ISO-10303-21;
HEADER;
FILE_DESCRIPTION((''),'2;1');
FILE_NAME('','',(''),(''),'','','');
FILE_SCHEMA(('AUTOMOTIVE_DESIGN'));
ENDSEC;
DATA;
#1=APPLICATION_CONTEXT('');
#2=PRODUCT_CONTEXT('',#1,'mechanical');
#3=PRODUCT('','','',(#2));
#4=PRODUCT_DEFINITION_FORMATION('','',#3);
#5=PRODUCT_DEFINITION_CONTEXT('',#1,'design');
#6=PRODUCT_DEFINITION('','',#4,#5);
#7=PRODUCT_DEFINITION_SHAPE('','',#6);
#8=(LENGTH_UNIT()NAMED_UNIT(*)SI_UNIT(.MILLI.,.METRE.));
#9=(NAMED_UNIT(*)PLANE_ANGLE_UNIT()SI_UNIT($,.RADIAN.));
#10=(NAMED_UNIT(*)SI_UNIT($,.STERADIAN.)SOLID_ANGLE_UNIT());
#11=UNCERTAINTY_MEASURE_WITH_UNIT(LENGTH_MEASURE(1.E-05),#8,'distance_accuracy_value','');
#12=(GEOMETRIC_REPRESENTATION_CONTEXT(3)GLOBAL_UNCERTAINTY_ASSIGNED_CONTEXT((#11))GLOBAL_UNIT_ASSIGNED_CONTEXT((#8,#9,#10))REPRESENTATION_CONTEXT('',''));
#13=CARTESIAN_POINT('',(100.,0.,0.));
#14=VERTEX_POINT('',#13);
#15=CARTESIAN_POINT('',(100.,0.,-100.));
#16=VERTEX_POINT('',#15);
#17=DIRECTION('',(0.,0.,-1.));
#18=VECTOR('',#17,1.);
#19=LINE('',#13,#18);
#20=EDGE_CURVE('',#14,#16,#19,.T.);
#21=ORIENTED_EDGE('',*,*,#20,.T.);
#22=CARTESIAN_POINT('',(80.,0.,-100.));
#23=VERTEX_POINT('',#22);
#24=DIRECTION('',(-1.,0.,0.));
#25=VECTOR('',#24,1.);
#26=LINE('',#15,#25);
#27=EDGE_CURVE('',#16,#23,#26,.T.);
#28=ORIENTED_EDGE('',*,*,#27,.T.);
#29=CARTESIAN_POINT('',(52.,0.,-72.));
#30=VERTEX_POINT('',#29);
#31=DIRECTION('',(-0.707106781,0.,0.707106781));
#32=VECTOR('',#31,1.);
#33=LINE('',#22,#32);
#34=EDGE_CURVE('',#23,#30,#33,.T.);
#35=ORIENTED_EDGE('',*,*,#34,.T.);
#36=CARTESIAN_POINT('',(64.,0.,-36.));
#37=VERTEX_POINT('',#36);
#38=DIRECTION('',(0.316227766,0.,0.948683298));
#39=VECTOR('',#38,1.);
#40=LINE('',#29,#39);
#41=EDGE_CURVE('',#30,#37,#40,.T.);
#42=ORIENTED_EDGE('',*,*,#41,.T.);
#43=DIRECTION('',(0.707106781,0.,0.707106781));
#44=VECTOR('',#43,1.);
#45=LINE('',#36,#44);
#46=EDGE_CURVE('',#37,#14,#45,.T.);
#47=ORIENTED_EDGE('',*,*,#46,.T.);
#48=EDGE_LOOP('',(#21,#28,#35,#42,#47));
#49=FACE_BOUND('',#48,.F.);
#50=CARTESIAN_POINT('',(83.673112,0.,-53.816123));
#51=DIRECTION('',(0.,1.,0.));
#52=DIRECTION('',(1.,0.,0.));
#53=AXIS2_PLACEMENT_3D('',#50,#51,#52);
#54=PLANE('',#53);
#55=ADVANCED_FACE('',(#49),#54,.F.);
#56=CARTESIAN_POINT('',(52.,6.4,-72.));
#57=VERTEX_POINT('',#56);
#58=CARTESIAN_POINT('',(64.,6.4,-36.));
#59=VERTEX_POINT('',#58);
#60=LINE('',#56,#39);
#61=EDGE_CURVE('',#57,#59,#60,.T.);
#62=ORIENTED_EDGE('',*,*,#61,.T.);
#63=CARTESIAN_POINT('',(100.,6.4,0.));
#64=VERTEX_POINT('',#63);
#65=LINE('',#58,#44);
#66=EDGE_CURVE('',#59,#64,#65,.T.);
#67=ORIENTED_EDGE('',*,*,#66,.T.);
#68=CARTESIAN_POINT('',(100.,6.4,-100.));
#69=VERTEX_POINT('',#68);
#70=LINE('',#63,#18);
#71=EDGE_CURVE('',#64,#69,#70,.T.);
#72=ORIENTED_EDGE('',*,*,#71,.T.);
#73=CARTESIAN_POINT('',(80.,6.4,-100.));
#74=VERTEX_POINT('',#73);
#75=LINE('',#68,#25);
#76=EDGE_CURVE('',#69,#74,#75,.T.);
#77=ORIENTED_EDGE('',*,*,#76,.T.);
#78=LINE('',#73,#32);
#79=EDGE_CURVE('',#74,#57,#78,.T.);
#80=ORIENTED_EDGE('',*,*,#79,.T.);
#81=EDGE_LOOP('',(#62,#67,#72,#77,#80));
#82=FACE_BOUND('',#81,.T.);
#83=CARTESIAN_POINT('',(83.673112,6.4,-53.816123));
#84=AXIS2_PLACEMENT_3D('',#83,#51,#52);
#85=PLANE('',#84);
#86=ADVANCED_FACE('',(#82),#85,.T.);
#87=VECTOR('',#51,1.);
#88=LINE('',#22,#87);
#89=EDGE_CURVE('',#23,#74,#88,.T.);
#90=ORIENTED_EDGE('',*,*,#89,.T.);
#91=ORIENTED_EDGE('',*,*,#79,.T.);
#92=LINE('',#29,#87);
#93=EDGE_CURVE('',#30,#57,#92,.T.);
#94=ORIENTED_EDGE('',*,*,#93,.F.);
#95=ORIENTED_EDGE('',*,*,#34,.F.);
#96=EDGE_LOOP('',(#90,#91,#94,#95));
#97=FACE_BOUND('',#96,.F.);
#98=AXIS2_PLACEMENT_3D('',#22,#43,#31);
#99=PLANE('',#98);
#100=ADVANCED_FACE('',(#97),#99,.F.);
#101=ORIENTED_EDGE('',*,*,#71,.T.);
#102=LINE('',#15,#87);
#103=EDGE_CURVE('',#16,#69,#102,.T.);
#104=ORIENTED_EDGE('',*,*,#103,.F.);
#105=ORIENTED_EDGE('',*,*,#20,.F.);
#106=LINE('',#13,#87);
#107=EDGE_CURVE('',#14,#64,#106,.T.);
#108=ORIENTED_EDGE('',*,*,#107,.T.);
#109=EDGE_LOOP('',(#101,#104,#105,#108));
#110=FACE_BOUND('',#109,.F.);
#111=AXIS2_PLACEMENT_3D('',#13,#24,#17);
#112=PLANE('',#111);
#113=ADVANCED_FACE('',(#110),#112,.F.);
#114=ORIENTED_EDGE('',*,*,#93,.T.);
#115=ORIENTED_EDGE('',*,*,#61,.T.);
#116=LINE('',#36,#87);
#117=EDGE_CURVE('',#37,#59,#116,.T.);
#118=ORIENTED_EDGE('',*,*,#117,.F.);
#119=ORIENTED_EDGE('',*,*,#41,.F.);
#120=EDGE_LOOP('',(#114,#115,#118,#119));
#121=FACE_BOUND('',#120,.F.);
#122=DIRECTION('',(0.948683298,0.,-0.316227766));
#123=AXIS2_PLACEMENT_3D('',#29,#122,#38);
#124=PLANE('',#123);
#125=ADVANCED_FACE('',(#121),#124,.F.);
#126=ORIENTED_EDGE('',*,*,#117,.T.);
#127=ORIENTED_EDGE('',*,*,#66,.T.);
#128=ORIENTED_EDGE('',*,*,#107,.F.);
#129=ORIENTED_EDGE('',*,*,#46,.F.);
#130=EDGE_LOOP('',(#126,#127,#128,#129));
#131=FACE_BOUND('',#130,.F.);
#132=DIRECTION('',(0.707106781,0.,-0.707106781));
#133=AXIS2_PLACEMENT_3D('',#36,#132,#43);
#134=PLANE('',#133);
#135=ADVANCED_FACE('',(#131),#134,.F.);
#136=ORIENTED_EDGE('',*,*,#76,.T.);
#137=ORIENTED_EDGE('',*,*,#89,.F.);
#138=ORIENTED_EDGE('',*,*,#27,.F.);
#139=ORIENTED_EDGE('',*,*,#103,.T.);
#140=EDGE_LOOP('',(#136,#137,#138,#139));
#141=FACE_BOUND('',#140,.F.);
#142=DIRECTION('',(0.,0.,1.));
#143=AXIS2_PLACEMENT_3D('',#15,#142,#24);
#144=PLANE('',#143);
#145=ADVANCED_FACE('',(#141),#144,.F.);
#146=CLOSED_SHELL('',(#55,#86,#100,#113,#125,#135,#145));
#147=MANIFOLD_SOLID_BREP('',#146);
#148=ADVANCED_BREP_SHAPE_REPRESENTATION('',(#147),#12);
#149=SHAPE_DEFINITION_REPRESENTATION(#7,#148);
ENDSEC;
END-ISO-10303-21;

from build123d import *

# Parameters (mm, degrees)
EXTRUDE_C_DEPTH = 6.4


with BuildPart() as part:
    # puzzle plan_5 → Extrude C (new body)
    with BuildSketch(Plane(origin=(0, 0, 0), x_dir=(1, 0, 0), z_dir=(0, 1, 0))):
        Polygon((80, 100), (52, 72), (64, 36), (100, 0), (100, 100), align=None)
    extrude(amount=EXTRUDE_C_DEPTH)


solid = part.part
